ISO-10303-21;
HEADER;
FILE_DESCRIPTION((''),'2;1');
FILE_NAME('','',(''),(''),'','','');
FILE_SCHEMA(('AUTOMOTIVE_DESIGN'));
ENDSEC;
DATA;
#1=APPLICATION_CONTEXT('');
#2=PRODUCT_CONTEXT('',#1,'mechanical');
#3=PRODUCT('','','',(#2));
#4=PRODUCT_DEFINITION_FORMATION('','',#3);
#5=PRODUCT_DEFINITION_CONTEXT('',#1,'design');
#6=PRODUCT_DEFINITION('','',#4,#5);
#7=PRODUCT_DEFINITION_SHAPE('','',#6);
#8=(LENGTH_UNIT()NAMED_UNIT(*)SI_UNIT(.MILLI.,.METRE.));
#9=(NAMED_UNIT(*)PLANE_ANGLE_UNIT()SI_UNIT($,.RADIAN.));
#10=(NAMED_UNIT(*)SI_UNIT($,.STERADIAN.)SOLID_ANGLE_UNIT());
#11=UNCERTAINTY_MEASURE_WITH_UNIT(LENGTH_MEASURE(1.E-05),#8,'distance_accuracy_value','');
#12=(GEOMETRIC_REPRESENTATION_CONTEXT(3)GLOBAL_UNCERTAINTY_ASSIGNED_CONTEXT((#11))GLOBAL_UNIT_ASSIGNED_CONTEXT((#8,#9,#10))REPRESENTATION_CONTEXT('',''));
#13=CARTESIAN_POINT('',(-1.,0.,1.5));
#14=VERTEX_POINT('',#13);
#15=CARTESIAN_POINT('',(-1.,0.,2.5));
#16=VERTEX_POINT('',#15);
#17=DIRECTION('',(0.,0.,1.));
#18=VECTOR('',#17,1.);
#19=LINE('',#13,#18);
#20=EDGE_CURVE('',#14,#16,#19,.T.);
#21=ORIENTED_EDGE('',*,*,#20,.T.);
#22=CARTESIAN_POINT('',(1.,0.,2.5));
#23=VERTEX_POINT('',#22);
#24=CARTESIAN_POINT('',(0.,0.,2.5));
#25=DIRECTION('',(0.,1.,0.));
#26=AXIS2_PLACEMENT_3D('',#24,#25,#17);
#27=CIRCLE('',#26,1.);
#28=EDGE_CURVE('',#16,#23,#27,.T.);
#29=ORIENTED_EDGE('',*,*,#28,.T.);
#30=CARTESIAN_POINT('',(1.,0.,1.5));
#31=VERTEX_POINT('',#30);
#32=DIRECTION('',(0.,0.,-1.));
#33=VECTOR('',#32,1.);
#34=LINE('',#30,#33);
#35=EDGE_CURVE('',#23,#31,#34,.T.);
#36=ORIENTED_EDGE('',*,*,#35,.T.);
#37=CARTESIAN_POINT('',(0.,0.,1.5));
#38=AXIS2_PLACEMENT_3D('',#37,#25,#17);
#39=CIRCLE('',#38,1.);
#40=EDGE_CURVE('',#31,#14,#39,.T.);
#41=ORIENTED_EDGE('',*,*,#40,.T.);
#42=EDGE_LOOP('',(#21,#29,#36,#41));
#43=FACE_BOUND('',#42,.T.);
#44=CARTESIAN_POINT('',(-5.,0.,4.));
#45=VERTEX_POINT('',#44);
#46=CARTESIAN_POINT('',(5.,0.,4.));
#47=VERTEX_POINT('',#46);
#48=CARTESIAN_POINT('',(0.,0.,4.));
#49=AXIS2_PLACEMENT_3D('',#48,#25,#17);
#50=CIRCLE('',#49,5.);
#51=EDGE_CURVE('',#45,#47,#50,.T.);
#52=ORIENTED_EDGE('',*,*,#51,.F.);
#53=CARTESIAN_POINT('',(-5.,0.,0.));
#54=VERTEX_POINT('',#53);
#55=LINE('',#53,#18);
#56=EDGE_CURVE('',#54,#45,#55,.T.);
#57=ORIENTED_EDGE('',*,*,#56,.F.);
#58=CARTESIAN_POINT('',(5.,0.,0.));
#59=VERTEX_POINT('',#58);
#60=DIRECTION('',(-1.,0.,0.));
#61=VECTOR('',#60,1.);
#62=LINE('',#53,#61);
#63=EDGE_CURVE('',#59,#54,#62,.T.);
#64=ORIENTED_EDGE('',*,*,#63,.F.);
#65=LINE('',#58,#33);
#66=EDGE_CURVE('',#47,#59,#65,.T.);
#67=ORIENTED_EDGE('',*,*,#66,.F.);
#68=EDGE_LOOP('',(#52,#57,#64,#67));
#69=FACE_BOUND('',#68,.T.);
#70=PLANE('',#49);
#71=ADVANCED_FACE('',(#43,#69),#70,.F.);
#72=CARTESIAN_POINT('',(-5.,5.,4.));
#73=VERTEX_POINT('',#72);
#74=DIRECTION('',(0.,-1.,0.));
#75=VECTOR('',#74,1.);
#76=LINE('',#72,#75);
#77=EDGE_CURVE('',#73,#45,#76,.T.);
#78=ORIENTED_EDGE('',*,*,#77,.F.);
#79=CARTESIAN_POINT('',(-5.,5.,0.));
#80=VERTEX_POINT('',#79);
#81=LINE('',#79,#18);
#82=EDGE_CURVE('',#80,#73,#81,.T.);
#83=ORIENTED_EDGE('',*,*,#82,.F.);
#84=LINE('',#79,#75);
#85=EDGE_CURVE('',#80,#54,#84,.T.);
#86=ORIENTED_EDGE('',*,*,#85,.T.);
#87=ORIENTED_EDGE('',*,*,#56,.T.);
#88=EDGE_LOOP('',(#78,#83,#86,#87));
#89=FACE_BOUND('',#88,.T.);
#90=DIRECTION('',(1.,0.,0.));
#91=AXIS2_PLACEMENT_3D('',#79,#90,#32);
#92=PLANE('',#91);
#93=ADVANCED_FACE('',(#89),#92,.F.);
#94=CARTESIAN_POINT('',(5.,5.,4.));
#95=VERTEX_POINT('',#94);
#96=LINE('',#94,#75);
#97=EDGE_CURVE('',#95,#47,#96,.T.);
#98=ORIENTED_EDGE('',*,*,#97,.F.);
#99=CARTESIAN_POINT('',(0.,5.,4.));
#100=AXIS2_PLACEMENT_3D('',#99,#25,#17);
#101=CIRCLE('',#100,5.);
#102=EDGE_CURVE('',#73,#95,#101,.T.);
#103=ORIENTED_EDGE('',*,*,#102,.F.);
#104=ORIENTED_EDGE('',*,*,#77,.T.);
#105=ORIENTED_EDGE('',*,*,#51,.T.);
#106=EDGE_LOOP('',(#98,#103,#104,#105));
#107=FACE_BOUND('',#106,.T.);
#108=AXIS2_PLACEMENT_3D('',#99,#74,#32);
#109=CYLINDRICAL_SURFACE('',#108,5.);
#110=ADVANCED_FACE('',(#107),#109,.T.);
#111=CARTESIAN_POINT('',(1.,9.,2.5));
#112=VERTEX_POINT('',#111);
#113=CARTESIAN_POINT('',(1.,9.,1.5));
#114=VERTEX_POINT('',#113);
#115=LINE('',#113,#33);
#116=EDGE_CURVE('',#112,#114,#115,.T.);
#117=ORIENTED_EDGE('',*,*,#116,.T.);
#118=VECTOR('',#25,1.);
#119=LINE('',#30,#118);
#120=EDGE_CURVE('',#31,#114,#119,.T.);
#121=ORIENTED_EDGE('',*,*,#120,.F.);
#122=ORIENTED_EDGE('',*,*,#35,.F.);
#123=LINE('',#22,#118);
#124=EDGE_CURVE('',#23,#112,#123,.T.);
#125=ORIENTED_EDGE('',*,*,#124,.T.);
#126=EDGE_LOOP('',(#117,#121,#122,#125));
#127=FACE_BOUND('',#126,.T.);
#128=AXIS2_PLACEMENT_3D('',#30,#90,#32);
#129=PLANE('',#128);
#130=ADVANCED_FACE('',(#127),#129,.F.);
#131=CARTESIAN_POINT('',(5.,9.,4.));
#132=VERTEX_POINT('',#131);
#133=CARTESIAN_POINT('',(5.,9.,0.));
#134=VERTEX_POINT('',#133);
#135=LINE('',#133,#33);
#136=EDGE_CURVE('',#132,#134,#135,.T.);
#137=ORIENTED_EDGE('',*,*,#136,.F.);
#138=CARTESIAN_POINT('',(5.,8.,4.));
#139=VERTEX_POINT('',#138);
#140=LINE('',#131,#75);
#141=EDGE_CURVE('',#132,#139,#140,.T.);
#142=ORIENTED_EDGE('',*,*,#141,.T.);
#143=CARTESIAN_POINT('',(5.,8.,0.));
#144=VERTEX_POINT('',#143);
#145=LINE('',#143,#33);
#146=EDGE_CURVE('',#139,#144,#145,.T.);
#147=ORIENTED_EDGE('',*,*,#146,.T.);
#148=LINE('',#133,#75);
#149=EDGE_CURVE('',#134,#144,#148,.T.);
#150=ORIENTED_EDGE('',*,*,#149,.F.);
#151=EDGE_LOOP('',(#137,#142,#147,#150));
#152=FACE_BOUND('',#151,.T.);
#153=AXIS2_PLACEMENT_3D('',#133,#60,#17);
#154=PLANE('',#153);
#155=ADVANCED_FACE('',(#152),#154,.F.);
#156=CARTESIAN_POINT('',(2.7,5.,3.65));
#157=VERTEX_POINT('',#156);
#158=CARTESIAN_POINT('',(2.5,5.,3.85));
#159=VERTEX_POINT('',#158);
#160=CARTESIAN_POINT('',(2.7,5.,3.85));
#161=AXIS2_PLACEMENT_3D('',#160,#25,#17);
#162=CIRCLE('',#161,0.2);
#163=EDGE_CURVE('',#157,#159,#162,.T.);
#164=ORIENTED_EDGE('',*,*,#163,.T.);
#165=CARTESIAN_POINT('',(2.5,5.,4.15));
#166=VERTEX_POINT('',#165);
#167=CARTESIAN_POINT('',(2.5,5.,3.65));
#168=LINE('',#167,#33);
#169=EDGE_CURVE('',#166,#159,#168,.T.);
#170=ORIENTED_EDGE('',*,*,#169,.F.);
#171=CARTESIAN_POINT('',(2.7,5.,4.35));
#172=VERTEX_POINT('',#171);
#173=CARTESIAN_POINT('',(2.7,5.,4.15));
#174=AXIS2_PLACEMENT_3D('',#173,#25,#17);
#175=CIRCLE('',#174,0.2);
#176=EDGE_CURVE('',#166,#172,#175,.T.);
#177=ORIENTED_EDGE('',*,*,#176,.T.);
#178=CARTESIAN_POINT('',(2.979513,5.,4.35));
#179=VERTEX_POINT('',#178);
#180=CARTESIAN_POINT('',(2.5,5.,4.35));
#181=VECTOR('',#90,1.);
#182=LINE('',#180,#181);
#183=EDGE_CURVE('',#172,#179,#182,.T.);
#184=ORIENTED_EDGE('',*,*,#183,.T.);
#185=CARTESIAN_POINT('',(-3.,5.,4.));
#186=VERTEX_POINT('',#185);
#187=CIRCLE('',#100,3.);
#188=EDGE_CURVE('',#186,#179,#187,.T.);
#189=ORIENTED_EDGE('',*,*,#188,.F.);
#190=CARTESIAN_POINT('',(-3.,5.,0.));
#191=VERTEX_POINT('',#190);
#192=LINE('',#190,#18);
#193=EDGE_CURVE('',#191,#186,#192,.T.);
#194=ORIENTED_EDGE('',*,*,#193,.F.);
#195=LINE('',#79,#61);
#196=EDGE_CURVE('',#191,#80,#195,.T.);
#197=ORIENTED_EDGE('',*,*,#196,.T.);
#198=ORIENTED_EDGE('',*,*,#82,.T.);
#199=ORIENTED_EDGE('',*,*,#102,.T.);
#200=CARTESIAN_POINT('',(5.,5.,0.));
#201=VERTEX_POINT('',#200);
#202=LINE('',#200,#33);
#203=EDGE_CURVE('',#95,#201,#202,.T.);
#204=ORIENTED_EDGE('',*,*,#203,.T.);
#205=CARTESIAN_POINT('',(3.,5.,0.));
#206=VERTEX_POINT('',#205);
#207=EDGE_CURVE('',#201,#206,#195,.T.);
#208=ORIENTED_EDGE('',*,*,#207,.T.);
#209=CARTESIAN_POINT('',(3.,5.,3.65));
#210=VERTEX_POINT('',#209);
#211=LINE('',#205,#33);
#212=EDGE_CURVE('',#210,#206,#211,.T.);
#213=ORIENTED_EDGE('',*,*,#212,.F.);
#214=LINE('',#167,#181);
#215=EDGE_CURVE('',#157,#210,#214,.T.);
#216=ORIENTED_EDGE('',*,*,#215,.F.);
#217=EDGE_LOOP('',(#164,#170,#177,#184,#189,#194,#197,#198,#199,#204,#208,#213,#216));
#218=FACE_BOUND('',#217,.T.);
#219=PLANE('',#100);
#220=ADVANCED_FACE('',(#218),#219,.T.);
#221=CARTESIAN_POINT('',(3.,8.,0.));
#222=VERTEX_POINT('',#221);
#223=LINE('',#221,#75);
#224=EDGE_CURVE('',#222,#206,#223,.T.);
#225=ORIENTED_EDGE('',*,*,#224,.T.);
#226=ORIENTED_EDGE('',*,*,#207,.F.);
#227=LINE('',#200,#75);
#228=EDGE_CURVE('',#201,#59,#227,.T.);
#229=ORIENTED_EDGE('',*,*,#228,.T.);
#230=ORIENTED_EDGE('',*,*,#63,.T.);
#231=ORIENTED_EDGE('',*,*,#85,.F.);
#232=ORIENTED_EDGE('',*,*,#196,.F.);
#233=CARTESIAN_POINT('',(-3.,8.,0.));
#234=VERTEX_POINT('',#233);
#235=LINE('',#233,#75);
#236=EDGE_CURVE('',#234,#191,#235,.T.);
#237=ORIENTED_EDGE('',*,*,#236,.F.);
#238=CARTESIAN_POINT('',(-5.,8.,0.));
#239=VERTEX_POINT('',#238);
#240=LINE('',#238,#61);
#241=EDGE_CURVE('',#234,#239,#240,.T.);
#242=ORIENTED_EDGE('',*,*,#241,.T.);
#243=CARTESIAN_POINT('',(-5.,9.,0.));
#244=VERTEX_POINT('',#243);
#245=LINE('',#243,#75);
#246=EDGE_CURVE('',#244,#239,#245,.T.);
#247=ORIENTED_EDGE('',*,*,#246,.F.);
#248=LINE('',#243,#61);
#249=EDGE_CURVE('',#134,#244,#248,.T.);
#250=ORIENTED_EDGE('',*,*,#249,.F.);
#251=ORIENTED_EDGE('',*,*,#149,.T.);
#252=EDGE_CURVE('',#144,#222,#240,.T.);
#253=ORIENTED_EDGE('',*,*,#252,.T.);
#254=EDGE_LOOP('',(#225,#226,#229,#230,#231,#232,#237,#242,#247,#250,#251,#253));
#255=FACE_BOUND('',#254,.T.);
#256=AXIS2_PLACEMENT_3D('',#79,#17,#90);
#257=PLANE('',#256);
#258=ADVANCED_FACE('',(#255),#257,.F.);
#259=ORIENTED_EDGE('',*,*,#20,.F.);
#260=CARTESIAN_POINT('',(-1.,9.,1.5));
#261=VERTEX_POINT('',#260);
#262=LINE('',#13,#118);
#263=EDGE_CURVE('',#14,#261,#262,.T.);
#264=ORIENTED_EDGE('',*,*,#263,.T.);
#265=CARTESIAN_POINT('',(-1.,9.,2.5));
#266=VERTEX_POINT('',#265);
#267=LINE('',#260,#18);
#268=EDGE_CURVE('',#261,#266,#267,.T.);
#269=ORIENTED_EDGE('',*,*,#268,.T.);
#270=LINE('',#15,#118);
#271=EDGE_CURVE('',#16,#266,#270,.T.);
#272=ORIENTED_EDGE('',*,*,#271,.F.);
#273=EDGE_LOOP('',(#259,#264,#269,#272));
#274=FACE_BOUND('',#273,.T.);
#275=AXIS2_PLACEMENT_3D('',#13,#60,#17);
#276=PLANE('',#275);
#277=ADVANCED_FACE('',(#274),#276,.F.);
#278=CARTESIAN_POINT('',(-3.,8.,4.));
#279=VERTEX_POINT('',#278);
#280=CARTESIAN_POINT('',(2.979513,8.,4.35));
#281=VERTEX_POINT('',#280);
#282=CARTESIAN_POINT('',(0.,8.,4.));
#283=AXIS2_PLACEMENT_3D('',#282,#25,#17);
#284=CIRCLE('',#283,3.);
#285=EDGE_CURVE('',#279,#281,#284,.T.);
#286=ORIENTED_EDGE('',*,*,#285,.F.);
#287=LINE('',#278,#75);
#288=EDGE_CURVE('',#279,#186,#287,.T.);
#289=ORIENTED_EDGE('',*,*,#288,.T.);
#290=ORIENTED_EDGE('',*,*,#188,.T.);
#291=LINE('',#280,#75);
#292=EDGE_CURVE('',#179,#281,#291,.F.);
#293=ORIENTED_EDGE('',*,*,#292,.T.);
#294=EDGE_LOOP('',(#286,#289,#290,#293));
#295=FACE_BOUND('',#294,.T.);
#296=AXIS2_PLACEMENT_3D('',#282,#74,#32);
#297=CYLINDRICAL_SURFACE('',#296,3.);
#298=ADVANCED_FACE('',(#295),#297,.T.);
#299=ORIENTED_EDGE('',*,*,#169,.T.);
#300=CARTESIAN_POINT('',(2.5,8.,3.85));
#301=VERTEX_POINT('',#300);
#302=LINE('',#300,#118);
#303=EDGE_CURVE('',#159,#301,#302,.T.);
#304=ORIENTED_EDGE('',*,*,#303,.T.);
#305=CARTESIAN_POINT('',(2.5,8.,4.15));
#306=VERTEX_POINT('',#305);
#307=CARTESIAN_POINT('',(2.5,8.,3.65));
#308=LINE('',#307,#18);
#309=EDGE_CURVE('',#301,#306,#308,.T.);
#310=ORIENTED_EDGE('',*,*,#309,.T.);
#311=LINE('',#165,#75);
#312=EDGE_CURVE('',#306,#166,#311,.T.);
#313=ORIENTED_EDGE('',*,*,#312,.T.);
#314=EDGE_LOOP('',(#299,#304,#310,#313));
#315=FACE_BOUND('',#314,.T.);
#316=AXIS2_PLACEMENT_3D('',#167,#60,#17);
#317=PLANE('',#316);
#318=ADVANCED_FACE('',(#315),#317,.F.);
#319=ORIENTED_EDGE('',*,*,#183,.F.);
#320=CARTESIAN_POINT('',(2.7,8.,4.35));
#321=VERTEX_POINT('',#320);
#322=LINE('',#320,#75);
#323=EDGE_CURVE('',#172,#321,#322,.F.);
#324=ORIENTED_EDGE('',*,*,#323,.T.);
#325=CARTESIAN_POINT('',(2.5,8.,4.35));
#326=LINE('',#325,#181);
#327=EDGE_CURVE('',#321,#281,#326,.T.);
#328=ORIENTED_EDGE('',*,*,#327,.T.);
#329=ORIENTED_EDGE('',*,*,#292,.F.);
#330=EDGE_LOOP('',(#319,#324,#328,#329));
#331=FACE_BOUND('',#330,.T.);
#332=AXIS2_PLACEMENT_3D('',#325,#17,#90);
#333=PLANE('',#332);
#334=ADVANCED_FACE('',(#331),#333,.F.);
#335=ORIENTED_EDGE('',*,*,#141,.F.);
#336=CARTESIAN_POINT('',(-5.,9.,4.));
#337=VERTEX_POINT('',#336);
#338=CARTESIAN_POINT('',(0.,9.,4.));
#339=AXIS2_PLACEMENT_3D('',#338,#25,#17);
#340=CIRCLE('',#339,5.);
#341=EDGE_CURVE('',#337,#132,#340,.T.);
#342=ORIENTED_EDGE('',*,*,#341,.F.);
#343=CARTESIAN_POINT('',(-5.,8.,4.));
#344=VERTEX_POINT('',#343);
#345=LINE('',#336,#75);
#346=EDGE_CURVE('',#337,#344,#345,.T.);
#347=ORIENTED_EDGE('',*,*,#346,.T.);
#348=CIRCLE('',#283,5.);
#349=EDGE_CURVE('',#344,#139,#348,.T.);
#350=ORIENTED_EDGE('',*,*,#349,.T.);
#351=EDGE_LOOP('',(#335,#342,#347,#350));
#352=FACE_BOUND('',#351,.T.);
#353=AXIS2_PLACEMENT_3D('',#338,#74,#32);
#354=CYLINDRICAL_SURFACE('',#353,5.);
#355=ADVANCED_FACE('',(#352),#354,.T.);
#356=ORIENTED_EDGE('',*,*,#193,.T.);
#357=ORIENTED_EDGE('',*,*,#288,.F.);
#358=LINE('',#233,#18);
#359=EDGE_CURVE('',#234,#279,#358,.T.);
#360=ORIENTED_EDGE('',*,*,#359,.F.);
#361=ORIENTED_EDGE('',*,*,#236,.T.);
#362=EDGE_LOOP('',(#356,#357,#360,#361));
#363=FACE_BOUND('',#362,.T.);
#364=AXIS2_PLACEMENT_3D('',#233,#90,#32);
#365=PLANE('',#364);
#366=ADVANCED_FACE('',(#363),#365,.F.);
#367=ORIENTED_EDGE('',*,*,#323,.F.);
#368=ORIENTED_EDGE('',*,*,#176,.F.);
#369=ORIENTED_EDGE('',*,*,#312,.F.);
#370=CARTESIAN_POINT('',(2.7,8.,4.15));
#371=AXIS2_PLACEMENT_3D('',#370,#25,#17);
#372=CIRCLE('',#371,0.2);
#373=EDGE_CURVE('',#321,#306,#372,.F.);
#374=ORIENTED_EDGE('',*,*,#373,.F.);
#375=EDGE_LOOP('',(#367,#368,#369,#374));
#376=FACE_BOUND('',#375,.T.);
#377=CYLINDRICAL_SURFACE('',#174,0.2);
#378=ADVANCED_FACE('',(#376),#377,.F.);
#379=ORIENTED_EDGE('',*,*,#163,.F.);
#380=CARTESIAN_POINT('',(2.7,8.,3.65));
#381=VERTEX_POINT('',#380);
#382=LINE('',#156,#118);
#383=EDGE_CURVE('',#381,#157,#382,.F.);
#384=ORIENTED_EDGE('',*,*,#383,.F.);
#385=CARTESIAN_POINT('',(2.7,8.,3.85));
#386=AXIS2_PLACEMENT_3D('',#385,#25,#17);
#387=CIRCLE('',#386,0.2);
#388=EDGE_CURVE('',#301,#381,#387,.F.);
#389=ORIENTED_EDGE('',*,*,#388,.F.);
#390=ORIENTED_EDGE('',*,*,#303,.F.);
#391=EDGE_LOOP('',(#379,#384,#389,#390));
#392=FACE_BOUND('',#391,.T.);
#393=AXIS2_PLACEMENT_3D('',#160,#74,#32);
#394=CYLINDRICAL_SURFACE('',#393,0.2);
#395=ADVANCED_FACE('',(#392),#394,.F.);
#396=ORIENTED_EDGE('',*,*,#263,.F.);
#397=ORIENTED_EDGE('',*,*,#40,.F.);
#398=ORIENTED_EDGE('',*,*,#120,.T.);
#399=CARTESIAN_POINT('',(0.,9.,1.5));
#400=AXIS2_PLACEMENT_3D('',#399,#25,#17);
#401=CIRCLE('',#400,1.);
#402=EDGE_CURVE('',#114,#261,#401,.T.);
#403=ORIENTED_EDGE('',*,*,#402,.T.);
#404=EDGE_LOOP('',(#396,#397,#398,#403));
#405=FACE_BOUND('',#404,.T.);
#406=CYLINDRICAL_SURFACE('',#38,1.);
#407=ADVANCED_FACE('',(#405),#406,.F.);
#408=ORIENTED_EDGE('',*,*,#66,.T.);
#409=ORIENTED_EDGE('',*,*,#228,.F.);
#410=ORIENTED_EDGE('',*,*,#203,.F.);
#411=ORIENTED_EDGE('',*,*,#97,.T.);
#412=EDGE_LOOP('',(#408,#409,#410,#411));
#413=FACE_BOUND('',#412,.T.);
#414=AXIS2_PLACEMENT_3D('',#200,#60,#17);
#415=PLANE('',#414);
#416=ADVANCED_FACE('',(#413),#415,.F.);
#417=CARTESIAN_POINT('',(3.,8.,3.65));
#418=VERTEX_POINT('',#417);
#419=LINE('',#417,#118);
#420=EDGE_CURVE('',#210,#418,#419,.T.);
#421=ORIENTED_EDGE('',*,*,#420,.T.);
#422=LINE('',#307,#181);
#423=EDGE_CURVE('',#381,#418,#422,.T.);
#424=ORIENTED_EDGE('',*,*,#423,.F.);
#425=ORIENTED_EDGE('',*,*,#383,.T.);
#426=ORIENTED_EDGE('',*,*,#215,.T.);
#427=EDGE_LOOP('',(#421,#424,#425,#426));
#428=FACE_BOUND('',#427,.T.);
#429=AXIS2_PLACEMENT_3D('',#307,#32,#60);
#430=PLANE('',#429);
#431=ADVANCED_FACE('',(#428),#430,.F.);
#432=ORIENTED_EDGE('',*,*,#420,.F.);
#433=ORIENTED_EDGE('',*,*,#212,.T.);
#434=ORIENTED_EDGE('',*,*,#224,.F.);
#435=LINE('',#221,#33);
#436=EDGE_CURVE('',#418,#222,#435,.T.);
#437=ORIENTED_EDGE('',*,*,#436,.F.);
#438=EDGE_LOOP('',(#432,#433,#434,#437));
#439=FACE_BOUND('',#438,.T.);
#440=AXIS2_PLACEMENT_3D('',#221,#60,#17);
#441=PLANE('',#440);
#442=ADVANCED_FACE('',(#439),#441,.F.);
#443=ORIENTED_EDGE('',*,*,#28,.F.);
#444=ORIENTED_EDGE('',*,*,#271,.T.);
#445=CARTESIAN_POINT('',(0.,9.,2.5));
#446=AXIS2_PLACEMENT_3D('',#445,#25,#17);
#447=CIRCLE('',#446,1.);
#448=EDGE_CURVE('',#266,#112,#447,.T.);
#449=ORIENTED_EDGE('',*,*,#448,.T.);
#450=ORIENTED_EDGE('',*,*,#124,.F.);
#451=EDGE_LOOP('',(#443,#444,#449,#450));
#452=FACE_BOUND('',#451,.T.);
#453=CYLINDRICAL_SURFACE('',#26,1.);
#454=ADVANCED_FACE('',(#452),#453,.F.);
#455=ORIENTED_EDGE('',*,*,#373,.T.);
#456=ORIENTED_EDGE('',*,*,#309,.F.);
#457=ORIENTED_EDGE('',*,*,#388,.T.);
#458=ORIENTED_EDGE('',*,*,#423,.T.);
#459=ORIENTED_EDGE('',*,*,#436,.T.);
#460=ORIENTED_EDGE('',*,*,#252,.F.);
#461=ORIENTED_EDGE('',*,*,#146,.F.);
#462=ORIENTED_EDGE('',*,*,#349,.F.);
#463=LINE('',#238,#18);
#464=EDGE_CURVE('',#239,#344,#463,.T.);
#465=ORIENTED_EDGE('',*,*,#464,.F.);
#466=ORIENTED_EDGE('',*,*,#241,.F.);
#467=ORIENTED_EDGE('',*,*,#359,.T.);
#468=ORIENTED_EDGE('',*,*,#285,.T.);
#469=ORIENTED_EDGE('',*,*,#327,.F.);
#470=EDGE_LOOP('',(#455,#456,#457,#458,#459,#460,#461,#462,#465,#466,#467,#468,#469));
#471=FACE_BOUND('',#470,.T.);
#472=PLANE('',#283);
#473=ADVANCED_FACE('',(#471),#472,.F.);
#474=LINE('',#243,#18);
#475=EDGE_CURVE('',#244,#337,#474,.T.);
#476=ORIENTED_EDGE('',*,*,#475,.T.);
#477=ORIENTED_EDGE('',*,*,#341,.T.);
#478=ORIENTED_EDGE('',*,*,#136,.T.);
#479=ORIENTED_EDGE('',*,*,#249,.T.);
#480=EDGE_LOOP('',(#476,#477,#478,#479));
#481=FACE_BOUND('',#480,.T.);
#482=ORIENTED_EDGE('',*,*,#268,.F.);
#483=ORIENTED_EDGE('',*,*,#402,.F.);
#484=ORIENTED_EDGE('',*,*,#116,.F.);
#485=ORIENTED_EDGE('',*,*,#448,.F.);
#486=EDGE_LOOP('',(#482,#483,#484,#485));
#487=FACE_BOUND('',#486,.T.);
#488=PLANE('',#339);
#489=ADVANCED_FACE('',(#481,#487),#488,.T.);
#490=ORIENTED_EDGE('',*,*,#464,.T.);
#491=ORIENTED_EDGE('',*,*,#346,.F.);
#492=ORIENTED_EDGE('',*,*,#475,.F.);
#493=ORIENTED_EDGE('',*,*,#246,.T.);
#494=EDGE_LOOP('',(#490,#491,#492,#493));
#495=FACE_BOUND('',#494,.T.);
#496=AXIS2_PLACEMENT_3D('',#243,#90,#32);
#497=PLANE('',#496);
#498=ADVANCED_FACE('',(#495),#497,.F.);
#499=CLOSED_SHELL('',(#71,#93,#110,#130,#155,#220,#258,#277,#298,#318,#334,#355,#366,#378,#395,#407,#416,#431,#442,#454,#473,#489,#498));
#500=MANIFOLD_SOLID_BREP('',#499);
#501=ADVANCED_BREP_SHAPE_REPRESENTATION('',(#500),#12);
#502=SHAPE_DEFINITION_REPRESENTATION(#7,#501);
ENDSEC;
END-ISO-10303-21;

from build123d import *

# Parameters (mm, degrees)
EXTRUSION1_DEPTH = 5
EXTRUSION2_DEPTH = 3
EXTRUSION3_DEPTH = 1
EXTRUSION4_DEPTH = 10
ESQUISSE5_W      = 0.7
ESQUISSE5_H      = 3
EXTRUSION5_DEPTH = 0.5
CONG_1_R         = 0.2


with BuildPart() as part:
    # Esquisse1 → Extrusion1 (new body)
    with BuildSketch(Plane(origin=(0, 0, 0), x_dir=(1, 0, 0), z_dir=(0, 1, 0))):
        with BuildLine():
            Line((-5, 0), (5, 0))
            Line((5, 0), (5, -4))
            ThreePointArc((5, -4), (0, -9), (-5, -4))
            Line((-5, -4), (-5, 0))
        make_face()
    extrude(amount=EXTRUSION1_DEPTH)

    # Esquisse2 → Extrusion2 (add)
    with BuildSketch(Plane(origin=(0, 5, 0), x_dir=(1, 0, 0), z_dir=(0, 1, 0))):
        with BuildLine():
            Line((-3, 0), (3, 0))
            Line((3, 0), (3, -4))
            ThreePointArc((3, -4), (0, -7), (-3, -4))
            Line((-3, -4), (-3, 0))
        make_face()
    extrude(amount=EXTRUSION2_DEPTH)

    # Esquisse3 → Extrusion3 (add)
    with BuildSketch(Plane(origin=(0, 8, 0), x_dir=(1, 0, 0), z_dir=(0, 1, 0))):
        with BuildLine():
            Line((-5, 0), (5, 0))
            Line((5, 0), (5, -4))
            ThreePointArc((5, -4), (0, -9), (-5, -4))
            Line((-5, -4), (-5, 0))
        make_face()
    extrude(amount=EXTRUSION3_DEPTH)

    # Esquisse4 → Extrusion4 (cut, through all)
    with BuildSketch(Plane(origin=(0, 9, 0), x_dir=(1, 0, 0), z_dir=(0, 1, 0))):
        with BuildLine():
            Line((1, -1.5), (1, -2.5))
            ThreePointArc((1, -2.5), (0, -3.5), (-1, -2.5))
            Line((-1, -2.5), (-1, -1.5))
            ThreePointArc((-1, -1.5), (0, -0.5), (1, -1.5))
        make_face()
    extrude(amount=-EXTRUSION4_DEPTH, mode=Mode.SUBTRACT)

    # Esquisse5 → Extrusion5 (cut)
    with BuildSketch(Plane(origin=(3, 0, 0), x_dir=(0, 0, -1), z_dir=(1, 0, 0))):
        with Locations((-4, 6.5)):
            Rectangle(ESQUISSE5_W, ESQUISSE5_H)
    extrude(amount=-EXTRUSION5_DEPTH, mode=Mode.SUBTRACT)

    # Congé1
    cong_1_edges = [part.edges().sort_by_distance(p)[0] for p in [
        (2.5, 6.5, 4.35),
        (2.5, 6.5, 3.65),
    ]]
    fillet(cong_1_edges, radius=CONG_1_R)


solid = part.part
